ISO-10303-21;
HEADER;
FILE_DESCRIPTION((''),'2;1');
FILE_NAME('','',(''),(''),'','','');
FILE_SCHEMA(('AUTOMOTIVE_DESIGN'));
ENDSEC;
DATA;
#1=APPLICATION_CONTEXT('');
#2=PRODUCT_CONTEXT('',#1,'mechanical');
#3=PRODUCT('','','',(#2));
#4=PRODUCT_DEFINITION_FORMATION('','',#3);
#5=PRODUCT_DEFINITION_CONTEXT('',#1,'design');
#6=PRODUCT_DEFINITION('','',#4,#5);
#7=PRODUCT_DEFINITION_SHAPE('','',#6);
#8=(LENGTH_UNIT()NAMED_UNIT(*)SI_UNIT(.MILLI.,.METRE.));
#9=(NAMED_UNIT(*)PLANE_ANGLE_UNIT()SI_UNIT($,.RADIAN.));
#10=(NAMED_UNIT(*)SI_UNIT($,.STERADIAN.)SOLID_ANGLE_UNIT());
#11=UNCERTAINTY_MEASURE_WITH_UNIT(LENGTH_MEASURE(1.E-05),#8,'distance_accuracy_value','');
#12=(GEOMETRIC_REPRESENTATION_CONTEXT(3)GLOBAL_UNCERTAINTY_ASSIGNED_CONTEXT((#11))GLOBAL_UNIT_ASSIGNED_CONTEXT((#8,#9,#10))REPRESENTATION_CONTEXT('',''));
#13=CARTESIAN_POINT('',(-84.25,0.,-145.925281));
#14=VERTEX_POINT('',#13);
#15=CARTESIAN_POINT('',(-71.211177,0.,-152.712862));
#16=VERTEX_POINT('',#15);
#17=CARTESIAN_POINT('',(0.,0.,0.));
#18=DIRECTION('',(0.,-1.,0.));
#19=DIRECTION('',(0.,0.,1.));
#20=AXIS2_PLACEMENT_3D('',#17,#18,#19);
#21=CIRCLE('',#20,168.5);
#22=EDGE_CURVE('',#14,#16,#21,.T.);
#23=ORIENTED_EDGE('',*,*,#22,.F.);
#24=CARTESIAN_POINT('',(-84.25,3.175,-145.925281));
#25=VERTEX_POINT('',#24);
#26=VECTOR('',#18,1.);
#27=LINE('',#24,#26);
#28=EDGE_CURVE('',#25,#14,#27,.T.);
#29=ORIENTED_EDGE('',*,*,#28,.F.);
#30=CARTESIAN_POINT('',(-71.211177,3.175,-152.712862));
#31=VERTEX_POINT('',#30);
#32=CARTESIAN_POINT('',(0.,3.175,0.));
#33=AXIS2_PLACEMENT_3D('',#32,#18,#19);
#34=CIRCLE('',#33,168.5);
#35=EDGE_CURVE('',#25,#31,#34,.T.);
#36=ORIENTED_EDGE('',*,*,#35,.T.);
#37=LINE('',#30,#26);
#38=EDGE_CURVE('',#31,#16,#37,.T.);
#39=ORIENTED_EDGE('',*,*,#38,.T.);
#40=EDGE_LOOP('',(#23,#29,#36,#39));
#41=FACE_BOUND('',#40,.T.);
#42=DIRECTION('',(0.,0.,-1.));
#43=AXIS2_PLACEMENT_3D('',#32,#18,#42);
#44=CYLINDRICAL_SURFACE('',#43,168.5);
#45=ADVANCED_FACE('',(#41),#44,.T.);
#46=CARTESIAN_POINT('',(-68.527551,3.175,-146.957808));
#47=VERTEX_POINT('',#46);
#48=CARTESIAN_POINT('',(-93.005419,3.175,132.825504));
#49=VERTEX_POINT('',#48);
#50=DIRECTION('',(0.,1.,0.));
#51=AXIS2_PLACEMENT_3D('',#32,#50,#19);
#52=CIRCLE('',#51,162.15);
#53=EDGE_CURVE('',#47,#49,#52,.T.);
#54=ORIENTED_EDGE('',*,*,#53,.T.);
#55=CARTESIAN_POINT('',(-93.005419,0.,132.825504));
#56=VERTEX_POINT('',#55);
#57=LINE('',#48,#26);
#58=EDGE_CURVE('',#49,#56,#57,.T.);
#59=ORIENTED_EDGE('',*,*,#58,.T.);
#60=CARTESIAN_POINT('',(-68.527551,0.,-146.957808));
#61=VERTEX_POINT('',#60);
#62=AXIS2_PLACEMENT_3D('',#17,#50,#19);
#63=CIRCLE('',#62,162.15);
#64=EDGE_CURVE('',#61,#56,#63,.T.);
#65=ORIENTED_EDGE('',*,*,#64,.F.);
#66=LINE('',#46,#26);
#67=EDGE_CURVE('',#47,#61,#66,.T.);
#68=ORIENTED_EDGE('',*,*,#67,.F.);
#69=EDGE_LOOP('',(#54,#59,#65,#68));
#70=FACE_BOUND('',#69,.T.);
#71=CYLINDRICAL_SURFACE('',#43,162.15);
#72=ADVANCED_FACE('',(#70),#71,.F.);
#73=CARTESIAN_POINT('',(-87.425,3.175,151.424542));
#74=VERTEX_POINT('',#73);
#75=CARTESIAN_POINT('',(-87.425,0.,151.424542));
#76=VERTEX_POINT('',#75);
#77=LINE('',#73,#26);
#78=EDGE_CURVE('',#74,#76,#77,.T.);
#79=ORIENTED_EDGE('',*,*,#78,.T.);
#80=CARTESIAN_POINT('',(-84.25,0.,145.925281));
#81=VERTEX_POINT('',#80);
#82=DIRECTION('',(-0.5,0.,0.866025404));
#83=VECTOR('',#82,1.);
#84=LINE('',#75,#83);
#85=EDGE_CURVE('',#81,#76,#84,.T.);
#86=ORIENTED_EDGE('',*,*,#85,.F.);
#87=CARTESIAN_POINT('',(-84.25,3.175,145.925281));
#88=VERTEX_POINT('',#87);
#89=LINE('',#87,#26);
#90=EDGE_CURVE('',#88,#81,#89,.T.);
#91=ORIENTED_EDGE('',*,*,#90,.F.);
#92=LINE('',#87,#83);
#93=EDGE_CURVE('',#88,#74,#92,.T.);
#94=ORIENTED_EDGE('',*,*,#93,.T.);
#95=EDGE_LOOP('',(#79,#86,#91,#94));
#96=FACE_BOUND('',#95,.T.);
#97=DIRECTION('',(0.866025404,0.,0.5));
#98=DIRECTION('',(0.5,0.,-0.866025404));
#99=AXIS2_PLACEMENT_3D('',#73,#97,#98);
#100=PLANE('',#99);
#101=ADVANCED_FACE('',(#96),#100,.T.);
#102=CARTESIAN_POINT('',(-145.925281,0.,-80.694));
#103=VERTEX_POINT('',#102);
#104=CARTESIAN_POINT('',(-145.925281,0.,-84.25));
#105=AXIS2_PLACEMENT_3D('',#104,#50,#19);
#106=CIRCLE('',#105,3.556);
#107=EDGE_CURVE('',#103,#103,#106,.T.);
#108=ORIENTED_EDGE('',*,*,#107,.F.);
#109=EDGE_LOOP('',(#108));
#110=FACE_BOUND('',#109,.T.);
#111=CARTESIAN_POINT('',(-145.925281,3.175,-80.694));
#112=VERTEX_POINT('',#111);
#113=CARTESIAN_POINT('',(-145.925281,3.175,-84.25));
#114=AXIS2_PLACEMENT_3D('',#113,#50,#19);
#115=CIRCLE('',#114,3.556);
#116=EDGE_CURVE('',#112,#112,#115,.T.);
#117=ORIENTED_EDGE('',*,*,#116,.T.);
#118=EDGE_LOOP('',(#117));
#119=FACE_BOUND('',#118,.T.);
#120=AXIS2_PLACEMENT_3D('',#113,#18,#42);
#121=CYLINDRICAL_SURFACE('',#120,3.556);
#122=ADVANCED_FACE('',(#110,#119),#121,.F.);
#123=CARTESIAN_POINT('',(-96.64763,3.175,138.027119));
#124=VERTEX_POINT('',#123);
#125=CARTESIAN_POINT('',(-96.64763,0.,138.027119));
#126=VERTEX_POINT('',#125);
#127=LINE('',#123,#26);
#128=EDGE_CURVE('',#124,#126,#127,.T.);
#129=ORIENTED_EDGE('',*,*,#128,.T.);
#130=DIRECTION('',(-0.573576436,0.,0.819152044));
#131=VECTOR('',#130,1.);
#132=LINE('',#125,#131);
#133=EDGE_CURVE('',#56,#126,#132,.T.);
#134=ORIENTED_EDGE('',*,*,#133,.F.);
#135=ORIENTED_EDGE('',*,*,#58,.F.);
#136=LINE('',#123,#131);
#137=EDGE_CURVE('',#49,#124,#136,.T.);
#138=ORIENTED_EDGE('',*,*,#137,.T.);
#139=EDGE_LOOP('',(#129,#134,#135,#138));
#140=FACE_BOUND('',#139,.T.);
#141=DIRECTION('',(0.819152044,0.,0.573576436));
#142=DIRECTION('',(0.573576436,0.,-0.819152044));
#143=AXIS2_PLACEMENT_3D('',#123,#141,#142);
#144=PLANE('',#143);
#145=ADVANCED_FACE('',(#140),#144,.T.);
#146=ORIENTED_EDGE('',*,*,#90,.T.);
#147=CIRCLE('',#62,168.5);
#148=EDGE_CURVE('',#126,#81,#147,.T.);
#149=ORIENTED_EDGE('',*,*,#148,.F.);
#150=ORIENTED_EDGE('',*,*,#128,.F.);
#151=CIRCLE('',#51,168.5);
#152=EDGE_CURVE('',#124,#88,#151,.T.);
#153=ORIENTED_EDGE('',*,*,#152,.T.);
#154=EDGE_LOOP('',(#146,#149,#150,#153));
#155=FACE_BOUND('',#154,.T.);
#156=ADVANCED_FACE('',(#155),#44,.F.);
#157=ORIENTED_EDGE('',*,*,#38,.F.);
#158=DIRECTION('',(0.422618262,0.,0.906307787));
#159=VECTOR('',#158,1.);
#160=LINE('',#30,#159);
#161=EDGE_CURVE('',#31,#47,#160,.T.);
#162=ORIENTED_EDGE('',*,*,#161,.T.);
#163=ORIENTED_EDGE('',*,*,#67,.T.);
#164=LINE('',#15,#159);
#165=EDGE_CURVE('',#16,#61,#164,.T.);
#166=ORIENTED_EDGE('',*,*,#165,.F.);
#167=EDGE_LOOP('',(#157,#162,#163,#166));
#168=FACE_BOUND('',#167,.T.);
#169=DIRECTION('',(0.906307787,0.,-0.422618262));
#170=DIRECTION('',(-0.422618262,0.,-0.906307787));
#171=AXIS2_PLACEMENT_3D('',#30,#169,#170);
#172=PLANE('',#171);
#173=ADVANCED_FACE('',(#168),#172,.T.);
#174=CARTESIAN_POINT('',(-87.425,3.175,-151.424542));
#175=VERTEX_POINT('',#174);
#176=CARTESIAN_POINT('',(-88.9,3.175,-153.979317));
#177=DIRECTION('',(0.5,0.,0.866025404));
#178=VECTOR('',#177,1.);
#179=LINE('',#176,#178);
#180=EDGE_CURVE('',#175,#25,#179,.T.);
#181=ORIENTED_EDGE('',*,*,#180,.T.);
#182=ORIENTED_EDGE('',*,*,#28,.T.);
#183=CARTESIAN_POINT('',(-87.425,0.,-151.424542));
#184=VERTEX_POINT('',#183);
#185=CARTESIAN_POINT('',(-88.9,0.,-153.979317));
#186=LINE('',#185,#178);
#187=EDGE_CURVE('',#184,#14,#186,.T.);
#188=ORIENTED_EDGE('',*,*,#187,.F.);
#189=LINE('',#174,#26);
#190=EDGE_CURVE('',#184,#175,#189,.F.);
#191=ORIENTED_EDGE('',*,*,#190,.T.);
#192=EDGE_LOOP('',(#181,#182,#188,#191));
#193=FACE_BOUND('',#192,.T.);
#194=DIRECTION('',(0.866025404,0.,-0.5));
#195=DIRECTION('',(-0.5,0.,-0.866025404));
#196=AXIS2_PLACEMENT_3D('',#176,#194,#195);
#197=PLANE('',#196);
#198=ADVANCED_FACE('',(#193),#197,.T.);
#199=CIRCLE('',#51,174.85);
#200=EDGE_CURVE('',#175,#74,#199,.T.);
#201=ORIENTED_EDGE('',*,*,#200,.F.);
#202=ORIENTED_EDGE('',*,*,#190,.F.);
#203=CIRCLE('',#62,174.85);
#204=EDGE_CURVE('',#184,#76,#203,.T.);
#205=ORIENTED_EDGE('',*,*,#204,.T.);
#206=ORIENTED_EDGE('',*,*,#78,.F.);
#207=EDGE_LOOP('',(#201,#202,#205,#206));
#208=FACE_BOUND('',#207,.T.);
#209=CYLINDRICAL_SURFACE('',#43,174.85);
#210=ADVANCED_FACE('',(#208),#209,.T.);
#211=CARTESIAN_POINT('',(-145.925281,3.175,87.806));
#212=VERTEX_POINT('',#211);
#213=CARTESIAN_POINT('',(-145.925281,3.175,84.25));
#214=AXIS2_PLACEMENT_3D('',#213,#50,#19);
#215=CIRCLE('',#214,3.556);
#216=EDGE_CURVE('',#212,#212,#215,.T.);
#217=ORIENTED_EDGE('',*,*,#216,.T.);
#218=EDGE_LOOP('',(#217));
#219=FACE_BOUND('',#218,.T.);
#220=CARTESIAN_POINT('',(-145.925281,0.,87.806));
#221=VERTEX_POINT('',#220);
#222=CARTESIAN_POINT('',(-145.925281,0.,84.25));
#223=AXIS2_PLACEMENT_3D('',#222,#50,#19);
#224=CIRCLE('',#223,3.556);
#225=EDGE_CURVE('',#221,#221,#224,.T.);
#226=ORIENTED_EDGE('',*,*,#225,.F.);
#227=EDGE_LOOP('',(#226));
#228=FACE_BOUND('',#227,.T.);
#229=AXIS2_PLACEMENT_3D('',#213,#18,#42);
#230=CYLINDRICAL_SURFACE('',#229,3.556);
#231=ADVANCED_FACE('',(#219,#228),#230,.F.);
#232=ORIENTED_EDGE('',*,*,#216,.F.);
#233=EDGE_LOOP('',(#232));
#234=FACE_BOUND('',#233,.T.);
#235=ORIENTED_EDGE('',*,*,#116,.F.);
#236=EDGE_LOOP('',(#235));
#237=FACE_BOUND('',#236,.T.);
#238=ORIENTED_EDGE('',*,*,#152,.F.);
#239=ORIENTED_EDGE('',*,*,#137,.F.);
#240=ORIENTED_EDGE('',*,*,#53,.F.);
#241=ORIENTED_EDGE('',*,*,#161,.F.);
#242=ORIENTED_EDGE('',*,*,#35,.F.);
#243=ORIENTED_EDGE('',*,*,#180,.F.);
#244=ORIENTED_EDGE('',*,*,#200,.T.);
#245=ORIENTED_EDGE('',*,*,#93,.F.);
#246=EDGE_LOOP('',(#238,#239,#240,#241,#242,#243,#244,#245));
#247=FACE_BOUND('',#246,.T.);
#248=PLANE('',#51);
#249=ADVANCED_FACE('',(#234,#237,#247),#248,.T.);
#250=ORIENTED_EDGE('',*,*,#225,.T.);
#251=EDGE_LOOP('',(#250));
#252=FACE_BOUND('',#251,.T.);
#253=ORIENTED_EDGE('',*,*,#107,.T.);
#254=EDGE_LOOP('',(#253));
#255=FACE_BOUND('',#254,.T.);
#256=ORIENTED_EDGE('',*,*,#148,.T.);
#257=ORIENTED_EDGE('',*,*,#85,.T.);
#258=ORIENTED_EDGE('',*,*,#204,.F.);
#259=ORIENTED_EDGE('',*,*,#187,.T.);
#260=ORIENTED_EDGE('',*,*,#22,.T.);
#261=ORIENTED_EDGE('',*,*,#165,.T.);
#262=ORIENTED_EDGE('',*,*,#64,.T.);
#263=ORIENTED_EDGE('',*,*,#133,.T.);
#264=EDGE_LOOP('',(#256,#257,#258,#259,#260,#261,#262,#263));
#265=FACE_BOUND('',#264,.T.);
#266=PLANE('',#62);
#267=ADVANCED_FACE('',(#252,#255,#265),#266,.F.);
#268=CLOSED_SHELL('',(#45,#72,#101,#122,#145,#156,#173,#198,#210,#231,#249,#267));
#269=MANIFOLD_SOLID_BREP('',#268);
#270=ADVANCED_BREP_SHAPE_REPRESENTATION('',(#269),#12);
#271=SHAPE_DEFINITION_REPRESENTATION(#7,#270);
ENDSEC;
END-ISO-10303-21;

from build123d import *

# Parameters (mm, degrees)
SKETCH1_R           = 174.85
SKETCH1_R_2         = 3.556
SKETCH1_R_3         = 162.15
BOSS_EXTRUDE1_DEPTH = 3.175
CUT_EXTRUDE1_DEPTH  = 4.175


with BuildPart() as part:
    # Sketch1 → Boss-Extrude1 (new body)
    with BuildSketch(Plane(origin=(0, 0, 0), x_dir=(1, 0, 0), z_dir=(0, 1, 0))):
        Circle(SKETCH1_R)
        with Locations((0, 168.5)):
            Circle(SKETCH1_R_2, mode=Mode.SUBTRACT)
        with Locations((145.925280538, 84.25)):
            Circle(SKETCH1_R_2, mode=Mode.SUBTRACT)
        with Locations((145.925280538, -84.25)):
            Circle(SKETCH1_R_2, mode=Mode.SUBTRACT)
        with Locations((0, -168.5)):
            Circle(SKETCH1_R_2, mode=Mode.SUBTRACT)
        with Locations((-145.925280538, -84.25)):
            Circle(SKETCH1_R_2, mode=Mode.SUBTRACT)
        with Locations((-145.925280538, 84.25)):
            Circle(SKETCH1_R_2, mode=Mode.SUBTRACT)
        Circle(SKETCH1_R_3, mode=Mode.SUBTRACT)
    extrude(amount=BOSS_EXTRUDE1_DEPTH)

    # Sketch2 → Cut-Extrude1 (cut, through all)
    with BuildSketch(Plane(origin=(0, 0, 0), x_dir=(1, 0, 0), z_dir=(0, 1, 0))):
        with BuildLine():
            Line((-88.9, 153.979316793), (-84.25, 145.925280538))
            ThreePointArc((-84.25, 145.925280538), (-77.80464133, 149.461325391), (-71.211177103, 152.712862116))
            Line((-71.211177103, 152.712862116), (-68.527551141, 146.957807668))
            ThreePointArc((-68.527551141, 146.957807668), (-74.872537636, 143.8288066), (-81.075, 140.426019224))
            Line((-81.075, 140.426019224), (0, 0))
            Line((0, 0), (-81.075, -140.426019224))
            ThreePointArc((-81.075, -140.426019224), (-87.123131493, -136.755922939), (-93.005419154, -132.825503981))
            Line((-93.005419154, -132.825503981), (-96.647629525, -138.027119463))
            ThreePointArc((-96.647629525, -138.027119463), (-90.534984006, -142.111458619), (-84.25, -145.925280538))
            Line((-84.25, -145.925280538), (-87.425, -151.424541852))
            Line((-87.425, -151.424541852), (-88.9, -153.979316793))
            ThreePointArc((-88.9, -153.979316793), (177.8, 0), (-88.9, 153.979316793))
        make_face()
    extrude(amount=CUT_EXTRUDE1_DEPTH, mode=Mode.SUBTRACT)


solid = part.part
